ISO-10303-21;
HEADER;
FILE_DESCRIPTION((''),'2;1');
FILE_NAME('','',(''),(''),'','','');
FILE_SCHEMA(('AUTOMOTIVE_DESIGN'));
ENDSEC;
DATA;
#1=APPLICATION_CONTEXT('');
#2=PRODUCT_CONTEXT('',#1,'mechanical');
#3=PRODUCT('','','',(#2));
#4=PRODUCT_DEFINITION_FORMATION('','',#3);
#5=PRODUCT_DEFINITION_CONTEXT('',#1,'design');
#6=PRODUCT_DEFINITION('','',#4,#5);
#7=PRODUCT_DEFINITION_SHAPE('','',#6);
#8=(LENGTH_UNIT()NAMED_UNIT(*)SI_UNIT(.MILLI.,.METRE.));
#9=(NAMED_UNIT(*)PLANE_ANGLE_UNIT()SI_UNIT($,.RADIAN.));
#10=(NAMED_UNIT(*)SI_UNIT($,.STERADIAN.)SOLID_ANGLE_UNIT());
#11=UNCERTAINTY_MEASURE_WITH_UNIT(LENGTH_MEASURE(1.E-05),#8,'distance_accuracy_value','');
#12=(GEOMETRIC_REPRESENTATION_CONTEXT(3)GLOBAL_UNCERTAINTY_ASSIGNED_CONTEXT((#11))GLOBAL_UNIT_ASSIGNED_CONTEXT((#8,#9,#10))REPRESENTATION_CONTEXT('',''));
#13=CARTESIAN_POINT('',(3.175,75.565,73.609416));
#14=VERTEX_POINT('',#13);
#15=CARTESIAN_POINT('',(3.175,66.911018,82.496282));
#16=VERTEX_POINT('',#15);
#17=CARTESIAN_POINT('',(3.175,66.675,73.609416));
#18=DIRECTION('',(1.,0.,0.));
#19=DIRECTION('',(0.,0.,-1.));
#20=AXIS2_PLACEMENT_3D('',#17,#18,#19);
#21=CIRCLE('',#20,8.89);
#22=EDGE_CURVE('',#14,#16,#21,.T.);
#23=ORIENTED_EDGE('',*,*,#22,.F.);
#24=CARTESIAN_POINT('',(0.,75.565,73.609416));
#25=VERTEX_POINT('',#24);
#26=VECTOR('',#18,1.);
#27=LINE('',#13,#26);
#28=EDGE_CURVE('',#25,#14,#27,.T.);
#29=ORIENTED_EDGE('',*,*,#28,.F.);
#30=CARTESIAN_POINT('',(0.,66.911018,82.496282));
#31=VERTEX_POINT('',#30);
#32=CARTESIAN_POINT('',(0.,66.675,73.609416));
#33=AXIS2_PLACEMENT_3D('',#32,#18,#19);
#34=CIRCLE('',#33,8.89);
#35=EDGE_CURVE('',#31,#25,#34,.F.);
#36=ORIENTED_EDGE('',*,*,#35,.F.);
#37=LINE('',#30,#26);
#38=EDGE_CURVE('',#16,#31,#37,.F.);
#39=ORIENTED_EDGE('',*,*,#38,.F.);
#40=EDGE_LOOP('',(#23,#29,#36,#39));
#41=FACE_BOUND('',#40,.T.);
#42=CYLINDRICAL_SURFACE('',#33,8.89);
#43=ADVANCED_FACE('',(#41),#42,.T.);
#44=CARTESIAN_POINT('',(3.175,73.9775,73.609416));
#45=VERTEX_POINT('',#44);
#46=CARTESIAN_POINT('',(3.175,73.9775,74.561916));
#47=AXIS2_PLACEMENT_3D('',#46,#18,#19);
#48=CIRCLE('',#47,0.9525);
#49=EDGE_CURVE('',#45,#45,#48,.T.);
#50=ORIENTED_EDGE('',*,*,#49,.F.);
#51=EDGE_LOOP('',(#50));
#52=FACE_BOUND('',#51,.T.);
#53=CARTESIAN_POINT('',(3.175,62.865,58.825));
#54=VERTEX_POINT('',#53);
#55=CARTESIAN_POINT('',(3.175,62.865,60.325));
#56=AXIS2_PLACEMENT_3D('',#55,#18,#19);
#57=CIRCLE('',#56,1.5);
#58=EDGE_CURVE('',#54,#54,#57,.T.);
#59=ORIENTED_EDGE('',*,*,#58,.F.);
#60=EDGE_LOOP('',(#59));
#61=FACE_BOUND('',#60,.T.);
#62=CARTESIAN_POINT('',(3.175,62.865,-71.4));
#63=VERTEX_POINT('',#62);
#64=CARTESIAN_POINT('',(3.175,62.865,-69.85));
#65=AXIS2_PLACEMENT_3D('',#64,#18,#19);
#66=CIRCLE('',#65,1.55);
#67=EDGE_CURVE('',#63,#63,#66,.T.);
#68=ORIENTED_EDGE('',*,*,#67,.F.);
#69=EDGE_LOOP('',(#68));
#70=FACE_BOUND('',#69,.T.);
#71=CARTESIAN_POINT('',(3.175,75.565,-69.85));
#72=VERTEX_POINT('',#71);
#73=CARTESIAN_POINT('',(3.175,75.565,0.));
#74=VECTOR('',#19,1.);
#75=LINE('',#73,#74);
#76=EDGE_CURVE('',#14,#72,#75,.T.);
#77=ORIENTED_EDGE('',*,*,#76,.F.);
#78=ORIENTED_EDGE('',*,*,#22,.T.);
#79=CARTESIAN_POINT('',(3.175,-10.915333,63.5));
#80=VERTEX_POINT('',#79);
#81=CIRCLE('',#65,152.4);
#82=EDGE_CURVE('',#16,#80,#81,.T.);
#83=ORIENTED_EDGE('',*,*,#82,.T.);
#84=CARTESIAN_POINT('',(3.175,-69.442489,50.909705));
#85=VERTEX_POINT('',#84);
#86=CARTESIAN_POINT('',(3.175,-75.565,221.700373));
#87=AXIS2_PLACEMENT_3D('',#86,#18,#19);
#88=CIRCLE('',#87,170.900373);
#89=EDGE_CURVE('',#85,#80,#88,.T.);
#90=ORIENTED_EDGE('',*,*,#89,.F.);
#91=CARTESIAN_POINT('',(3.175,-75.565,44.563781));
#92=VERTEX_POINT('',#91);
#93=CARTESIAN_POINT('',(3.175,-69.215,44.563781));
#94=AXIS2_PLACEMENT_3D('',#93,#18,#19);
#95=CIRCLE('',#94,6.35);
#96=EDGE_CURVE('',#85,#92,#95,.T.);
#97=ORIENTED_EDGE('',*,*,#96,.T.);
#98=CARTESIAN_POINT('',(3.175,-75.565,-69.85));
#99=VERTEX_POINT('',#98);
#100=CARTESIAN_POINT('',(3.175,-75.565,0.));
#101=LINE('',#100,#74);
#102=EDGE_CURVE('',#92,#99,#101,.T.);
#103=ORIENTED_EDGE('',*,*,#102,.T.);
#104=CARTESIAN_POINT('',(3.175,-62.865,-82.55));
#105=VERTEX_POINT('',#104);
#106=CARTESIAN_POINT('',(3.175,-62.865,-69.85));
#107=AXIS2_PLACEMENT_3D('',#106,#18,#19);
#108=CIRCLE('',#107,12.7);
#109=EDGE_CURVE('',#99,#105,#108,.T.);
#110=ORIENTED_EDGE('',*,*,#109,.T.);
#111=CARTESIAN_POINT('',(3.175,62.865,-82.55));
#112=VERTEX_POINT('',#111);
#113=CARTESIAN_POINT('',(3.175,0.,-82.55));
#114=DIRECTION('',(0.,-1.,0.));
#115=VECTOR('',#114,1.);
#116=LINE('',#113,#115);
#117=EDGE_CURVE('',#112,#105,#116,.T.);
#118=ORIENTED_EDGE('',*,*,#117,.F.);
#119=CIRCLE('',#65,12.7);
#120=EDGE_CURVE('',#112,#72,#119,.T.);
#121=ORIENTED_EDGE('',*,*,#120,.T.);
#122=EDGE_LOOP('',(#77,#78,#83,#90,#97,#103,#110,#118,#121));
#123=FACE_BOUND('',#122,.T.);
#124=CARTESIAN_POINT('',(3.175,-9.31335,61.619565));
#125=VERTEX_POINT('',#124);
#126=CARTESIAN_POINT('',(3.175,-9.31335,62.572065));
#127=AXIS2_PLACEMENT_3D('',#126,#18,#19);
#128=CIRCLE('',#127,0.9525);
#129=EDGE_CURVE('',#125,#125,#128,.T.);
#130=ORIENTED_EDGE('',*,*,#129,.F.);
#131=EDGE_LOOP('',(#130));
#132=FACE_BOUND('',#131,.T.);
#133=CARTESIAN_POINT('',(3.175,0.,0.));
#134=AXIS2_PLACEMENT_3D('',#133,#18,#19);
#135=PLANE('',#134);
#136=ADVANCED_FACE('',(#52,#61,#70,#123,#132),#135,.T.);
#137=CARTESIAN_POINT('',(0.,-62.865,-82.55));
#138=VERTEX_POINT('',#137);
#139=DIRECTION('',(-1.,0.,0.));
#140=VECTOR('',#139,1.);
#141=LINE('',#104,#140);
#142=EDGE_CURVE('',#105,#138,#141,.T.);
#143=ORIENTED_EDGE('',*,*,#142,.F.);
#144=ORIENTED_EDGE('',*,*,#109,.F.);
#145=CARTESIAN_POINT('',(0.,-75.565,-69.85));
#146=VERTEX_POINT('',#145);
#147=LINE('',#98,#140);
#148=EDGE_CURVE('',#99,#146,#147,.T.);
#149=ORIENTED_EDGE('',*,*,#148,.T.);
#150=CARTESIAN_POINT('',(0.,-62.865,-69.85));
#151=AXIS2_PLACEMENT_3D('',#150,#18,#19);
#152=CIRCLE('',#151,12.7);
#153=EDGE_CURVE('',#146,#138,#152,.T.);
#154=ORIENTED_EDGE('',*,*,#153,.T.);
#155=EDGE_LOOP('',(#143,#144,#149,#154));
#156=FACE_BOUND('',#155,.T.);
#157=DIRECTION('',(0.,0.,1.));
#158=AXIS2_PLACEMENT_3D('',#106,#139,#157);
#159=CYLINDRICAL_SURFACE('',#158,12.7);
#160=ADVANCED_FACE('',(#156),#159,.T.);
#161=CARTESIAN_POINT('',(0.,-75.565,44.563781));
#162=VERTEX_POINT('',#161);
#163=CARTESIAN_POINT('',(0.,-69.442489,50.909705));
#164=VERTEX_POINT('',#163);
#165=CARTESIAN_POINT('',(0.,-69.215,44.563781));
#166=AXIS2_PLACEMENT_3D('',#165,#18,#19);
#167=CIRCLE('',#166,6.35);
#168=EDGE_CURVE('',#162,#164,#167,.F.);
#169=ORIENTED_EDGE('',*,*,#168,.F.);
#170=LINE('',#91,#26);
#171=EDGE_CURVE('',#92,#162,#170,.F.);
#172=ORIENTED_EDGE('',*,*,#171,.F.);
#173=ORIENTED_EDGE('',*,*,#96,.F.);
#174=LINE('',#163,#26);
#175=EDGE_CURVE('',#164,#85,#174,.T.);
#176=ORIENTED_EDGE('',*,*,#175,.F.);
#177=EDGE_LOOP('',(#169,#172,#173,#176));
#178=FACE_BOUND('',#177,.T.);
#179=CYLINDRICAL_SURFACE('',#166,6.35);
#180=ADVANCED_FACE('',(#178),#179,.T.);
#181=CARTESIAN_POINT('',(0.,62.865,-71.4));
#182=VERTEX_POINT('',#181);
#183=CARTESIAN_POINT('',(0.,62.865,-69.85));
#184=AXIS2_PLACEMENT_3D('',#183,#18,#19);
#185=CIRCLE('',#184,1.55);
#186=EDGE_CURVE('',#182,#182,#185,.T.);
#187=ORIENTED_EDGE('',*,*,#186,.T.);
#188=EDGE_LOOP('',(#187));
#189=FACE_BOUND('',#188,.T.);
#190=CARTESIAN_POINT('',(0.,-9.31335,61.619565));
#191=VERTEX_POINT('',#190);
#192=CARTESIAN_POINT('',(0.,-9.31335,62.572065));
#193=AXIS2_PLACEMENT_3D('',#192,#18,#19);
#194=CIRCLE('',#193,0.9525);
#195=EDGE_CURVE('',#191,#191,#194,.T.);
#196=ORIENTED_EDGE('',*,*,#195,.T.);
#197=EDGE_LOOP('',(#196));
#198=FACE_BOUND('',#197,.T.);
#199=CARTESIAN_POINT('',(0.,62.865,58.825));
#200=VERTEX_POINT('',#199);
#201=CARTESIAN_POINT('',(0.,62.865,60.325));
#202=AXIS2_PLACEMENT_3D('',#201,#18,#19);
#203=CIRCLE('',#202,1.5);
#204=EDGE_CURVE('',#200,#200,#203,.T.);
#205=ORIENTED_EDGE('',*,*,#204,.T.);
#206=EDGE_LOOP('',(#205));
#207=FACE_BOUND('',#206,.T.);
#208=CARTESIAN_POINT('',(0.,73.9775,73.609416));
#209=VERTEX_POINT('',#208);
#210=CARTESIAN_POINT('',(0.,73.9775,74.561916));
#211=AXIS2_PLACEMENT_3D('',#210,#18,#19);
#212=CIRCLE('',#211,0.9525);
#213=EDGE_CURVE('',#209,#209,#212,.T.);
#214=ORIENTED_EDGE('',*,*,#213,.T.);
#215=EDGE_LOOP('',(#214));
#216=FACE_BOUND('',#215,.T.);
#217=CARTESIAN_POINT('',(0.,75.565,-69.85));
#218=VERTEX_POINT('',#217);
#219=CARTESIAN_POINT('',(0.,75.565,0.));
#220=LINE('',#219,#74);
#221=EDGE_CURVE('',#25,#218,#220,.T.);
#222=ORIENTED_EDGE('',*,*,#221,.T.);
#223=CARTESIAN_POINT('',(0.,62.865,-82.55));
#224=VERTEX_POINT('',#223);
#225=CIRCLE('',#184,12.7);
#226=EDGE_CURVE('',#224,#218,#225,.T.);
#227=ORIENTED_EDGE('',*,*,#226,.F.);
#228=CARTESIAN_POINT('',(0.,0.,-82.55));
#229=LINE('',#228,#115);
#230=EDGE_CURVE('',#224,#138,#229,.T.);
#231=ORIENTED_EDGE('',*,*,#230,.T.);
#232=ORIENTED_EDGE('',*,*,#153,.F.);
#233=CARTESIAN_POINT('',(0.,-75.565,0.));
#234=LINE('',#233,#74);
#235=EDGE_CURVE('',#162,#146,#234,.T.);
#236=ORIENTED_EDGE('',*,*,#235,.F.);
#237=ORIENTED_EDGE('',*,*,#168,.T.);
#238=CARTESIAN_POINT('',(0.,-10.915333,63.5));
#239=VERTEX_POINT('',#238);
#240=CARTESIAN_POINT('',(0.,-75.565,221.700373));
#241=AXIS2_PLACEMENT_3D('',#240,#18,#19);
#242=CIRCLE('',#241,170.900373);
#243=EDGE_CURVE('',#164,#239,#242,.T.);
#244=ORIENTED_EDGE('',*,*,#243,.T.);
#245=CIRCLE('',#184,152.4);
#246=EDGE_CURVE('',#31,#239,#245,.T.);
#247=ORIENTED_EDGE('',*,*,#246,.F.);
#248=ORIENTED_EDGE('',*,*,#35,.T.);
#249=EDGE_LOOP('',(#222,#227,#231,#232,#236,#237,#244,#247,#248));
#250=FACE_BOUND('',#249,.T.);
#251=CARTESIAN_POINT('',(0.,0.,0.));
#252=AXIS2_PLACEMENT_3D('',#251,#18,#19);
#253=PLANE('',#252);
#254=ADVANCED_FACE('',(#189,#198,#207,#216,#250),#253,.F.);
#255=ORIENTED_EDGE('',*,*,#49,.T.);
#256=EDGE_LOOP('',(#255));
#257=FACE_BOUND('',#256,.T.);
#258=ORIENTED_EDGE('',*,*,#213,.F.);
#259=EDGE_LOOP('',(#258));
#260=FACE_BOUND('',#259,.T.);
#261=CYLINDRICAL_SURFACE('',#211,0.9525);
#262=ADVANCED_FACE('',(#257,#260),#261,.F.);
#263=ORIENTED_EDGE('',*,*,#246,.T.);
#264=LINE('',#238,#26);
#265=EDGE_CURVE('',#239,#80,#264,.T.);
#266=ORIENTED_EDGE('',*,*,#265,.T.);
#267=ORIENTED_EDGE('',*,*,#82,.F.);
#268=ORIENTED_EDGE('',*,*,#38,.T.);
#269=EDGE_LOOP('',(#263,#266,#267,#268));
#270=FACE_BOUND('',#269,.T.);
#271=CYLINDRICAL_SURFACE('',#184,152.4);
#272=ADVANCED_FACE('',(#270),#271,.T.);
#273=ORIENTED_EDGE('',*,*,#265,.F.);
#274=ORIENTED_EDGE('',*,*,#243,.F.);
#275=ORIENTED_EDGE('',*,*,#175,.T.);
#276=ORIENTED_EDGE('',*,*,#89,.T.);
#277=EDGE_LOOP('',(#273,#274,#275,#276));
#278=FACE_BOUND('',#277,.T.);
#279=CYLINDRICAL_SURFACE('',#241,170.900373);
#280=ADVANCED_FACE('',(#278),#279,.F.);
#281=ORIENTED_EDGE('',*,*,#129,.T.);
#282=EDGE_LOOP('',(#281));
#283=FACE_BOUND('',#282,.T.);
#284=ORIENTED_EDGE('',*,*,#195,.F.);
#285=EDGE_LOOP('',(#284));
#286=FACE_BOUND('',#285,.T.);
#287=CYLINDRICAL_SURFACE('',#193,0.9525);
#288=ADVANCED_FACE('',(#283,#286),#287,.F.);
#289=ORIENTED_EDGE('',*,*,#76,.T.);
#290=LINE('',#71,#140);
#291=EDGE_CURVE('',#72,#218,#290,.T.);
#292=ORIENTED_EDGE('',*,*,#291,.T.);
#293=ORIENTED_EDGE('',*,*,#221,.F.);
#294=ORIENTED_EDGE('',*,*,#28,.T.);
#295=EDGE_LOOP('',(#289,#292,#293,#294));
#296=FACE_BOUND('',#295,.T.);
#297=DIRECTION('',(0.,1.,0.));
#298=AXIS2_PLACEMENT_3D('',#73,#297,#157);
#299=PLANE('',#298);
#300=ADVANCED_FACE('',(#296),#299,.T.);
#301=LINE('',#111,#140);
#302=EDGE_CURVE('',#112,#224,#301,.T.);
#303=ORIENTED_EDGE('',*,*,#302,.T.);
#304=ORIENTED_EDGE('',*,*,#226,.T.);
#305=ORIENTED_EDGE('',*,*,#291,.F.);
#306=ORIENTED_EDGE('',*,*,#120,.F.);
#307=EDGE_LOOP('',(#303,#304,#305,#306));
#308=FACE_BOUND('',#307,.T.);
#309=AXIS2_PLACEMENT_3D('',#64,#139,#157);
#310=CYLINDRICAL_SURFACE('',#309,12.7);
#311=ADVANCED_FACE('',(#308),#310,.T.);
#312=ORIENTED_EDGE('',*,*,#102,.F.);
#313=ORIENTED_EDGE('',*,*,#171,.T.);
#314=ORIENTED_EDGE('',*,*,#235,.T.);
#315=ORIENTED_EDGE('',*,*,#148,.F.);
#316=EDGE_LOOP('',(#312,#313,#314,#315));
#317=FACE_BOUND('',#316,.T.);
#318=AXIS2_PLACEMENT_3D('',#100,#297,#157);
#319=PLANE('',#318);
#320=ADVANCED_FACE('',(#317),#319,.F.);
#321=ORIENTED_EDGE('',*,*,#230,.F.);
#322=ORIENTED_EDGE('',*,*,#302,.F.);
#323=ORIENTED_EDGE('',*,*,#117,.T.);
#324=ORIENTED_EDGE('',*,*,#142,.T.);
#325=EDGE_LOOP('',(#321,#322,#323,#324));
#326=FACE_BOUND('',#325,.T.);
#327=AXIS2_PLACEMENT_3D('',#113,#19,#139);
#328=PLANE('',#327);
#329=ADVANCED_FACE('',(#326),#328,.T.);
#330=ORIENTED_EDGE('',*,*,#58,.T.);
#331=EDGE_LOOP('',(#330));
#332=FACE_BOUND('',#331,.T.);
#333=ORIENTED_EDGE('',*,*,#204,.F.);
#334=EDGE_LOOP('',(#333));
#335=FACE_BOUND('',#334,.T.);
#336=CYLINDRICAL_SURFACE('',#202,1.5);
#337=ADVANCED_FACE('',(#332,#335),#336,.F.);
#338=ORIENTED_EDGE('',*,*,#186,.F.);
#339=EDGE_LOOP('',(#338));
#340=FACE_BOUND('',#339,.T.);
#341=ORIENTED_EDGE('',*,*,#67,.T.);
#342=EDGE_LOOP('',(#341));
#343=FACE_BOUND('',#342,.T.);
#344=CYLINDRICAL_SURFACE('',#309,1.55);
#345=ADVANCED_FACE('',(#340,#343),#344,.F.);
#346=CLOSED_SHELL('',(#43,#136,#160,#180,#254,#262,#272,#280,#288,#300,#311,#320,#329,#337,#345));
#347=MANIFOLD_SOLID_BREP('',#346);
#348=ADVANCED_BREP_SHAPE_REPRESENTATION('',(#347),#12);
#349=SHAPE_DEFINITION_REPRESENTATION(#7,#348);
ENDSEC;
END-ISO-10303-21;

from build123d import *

# Parameters (mm, degrees)
SKETCH1_R           = 1.55
BOSS_EXTRUDE1_DEPTH = 3.175
CUT_EXTRUDE1_DEPTH  = 4.175
FILLET1_R           = 8.89
SKETCH3_R           = 1.5
CUT_EXTRUDE2_DEPTH  = 4.175
SKETCH4_R           = 0.9525
CUT_EXTRUDE3_DEPTH  = 4.175
FILLET2_R           = 6.35


with BuildPart() as part:
    # Sketch1 → Boss-Extrude1 (new body)
    with BuildSketch(Plane(origin=(0, 0, 0), x_dir=(0, 0, -1), z_dir=(1, 0, 0))):
        with BuildLine():
            Line((69.85, 75.565), (-82.55, 75.565))
            Line((-82.55, 75.565), (-82.55, -75.565))
            Line((-82.55, -75.565), (69.85, -75.565))
            ThreePointArc((69.85, -75.565), (78.830256121, -71.845256121), (82.55, -62.865))
            Line((82.55, -62.865), (82.55, 62.865))
            ThreePointArc((82.55, 62.865), (78.830256121, 71.845256121), (69.85, 75.565))
        make_face()
        with Locations((69.85, 62.865)):
            Circle(SKETCH1_R, mode=Mode.SUBTRACT)
    extrude(amount=BOSS_EXTRUDE1_DEPTH)

    # Sketch2 → Cut-Extrude1 (cut, through all)
    with BuildSketch(Plane(origin=(3.175, 0, 0), x_dir=(0, 0, -1), z_dir=(1, 0, 0))):
        with BuildLine():
            Line((-63.5, -10.915332745), (-63.5, -75.565))
            Line((-63.5, -75.565), (-50.8, -75.565))
            ThreePointArc((-50.8, -75.565), (-54.005053677, -42.622362446), (-63.5, -10.915332745))
        make_face()
        with BuildLine():
            Line((-82.55, 75.565), (-82.55, 62.865))
            ThreePointArc((-82.55, 62.865), (-82.417420191, 69.220528969), (-82.019911437, 75.565))
            Line((-82.019911437, 75.565), (-82.55, 75.565))
        make_face()
        with BuildLine():
            Line((-82.55, -75.565), (-63.5, -75.565))
            Line((-63.5, -75.565), (-63.5, -10.915332745))
            ThreePointArc((-63.5, -10.915332745), (-77.710665491, 24.765), (-82.55, 62.865))
            Line((-82.55, 62.865), (-82.55, -75.565))
        make_face()
    extrude(amount=-CUT_EXTRUDE1_DEPTH, mode=Mode.SUBTRACT)

    # Fillet1
    fillet1_edges = [part.edges().sort_by_distance(p)[0] for p in [
        (1.5875, 75.565, 82.019911437),
    ]]
    fillet(fillet1_edges, radius=FILLET1_R)

    # Sketch3 → Cut-Extrude2 (cut, through all)
    with BuildSketch(Plane(origin=(3.175, 0, 0), x_dir=(0, 0, -1), z_dir=(1, 0, 0))):
        with Locations((-60.325, 62.865)):
            Circle(SKETCH3_R)
    extrude(amount=-CUT_EXTRUDE2_DEPTH, mode=Mode.SUBTRACT)

    # Sketch4 → Cut-Extrude3 (cut, through all)
    with BuildSketch(Plane(origin=(3.175, 0, 0), x_dir=(0, 0, -1), z_dir=(1, 0, 0))):
        with Locations((-74.561915864, 73.9775)):
            Circle(SKETCH4_R)
        with Locations((-62.57206458, -9.313350112)):
            Circle(SKETCH4_R)
    extrude(amount=-CUT_EXTRUDE3_DEPTH, mode=Mode.SUBTRACT)

    # Fillet2
    fillet2_edges = [part.edges().sort_by_distance(p)[0] for p in [
        (1.5875, -75.565, 50.8),
    ]]
    fillet(fillet2_edges, radius=FILLET2_R)


solid = part.part
